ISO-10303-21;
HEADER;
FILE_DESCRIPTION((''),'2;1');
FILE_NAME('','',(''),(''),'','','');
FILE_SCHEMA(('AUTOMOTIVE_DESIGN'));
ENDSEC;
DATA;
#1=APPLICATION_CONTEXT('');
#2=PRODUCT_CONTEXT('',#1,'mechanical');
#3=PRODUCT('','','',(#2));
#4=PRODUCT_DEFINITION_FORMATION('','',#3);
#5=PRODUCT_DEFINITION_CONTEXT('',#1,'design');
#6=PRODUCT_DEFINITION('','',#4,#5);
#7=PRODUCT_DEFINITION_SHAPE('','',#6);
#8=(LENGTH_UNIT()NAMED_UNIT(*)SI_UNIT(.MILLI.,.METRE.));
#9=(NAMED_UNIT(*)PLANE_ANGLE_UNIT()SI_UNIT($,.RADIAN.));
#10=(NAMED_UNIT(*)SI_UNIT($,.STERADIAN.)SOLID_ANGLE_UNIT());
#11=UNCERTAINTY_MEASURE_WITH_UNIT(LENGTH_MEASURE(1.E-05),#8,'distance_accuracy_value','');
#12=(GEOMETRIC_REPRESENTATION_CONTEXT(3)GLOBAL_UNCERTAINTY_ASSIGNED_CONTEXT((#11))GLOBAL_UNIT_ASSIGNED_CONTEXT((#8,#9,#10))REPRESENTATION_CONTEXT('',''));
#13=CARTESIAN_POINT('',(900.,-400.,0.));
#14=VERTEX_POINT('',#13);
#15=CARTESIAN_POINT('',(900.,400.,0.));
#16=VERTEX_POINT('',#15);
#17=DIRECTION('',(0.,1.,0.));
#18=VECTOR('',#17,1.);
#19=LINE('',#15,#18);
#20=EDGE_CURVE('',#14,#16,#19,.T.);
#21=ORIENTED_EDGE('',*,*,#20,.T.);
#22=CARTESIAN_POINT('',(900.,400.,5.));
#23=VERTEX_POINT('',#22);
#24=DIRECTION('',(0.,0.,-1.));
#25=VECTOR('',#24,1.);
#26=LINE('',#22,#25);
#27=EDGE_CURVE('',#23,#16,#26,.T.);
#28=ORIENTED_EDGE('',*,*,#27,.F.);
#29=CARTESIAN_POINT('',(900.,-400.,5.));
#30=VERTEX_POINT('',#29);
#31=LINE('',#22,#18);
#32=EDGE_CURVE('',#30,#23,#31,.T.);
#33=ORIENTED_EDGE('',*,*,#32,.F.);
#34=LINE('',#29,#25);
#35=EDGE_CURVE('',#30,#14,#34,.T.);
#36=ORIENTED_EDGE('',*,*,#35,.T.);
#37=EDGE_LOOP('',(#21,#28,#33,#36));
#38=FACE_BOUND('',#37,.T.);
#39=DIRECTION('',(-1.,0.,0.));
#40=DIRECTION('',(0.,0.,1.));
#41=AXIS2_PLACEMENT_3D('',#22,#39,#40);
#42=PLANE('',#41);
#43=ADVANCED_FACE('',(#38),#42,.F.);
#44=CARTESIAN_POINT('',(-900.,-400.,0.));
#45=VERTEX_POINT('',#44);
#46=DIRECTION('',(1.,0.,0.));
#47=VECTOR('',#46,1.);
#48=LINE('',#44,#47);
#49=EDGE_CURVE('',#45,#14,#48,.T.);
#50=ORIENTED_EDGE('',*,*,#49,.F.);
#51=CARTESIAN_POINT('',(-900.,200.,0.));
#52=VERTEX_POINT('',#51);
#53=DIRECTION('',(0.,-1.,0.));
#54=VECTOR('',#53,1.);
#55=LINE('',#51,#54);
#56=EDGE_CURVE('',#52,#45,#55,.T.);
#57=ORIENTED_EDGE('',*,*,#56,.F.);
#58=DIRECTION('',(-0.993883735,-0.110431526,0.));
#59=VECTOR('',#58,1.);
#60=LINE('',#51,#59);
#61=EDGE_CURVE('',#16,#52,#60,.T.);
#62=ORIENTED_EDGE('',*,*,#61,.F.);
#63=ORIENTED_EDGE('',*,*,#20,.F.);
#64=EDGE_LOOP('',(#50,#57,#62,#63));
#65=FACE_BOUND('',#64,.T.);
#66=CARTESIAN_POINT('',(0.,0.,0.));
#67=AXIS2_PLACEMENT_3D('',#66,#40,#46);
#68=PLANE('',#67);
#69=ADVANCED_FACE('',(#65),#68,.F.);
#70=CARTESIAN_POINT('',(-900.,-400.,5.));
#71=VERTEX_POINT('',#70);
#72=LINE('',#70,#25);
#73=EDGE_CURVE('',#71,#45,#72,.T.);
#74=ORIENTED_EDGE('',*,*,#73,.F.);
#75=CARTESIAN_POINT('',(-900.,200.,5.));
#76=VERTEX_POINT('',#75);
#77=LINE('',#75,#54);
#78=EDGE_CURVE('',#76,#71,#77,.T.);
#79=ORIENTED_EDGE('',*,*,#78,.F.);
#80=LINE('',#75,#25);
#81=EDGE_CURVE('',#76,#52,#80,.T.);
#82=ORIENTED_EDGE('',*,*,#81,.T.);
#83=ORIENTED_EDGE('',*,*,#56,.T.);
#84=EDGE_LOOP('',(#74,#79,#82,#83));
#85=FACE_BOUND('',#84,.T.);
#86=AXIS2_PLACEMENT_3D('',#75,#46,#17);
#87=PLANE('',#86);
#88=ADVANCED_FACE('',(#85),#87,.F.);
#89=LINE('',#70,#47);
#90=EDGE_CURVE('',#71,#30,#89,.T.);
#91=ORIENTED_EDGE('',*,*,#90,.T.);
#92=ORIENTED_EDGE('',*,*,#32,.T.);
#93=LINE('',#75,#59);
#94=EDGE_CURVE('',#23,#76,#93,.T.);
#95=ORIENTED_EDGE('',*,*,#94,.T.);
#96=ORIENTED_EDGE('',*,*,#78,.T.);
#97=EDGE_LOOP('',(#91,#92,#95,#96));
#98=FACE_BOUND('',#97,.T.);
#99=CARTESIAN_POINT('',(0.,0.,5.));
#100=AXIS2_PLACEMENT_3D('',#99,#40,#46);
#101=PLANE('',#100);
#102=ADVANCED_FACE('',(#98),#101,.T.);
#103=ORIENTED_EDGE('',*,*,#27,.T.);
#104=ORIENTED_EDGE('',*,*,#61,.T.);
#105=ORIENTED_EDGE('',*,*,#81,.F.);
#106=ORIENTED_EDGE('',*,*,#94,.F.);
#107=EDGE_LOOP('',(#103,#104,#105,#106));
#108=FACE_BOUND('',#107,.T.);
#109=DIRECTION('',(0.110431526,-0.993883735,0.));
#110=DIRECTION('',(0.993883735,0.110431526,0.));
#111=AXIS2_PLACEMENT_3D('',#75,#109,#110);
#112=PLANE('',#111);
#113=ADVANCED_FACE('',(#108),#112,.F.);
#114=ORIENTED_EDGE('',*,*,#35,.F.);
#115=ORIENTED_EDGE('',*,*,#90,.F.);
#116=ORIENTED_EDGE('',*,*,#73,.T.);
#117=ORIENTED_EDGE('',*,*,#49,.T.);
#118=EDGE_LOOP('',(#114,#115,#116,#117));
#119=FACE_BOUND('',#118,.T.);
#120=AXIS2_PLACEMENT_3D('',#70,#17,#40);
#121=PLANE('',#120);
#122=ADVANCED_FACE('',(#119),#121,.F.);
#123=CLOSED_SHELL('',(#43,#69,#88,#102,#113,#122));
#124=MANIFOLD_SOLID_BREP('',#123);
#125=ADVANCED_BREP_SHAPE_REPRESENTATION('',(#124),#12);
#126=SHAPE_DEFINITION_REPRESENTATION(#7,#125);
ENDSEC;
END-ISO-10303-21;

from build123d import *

# Parameters (mm, degrees)
BOSS_EXTRUDE2_DEPTH = 5


with BuildPart() as part:
    # Sketch1 → Boss-Extrude2 (new body)
    with BuildSketch(Plane.XY):
        Polygon((-900, 200), (900, 400), (900, -400), (-900, -400), align=None)
    extrude(amount=BOSS_EXTRUDE2_DEPTH)


solid = part.part
